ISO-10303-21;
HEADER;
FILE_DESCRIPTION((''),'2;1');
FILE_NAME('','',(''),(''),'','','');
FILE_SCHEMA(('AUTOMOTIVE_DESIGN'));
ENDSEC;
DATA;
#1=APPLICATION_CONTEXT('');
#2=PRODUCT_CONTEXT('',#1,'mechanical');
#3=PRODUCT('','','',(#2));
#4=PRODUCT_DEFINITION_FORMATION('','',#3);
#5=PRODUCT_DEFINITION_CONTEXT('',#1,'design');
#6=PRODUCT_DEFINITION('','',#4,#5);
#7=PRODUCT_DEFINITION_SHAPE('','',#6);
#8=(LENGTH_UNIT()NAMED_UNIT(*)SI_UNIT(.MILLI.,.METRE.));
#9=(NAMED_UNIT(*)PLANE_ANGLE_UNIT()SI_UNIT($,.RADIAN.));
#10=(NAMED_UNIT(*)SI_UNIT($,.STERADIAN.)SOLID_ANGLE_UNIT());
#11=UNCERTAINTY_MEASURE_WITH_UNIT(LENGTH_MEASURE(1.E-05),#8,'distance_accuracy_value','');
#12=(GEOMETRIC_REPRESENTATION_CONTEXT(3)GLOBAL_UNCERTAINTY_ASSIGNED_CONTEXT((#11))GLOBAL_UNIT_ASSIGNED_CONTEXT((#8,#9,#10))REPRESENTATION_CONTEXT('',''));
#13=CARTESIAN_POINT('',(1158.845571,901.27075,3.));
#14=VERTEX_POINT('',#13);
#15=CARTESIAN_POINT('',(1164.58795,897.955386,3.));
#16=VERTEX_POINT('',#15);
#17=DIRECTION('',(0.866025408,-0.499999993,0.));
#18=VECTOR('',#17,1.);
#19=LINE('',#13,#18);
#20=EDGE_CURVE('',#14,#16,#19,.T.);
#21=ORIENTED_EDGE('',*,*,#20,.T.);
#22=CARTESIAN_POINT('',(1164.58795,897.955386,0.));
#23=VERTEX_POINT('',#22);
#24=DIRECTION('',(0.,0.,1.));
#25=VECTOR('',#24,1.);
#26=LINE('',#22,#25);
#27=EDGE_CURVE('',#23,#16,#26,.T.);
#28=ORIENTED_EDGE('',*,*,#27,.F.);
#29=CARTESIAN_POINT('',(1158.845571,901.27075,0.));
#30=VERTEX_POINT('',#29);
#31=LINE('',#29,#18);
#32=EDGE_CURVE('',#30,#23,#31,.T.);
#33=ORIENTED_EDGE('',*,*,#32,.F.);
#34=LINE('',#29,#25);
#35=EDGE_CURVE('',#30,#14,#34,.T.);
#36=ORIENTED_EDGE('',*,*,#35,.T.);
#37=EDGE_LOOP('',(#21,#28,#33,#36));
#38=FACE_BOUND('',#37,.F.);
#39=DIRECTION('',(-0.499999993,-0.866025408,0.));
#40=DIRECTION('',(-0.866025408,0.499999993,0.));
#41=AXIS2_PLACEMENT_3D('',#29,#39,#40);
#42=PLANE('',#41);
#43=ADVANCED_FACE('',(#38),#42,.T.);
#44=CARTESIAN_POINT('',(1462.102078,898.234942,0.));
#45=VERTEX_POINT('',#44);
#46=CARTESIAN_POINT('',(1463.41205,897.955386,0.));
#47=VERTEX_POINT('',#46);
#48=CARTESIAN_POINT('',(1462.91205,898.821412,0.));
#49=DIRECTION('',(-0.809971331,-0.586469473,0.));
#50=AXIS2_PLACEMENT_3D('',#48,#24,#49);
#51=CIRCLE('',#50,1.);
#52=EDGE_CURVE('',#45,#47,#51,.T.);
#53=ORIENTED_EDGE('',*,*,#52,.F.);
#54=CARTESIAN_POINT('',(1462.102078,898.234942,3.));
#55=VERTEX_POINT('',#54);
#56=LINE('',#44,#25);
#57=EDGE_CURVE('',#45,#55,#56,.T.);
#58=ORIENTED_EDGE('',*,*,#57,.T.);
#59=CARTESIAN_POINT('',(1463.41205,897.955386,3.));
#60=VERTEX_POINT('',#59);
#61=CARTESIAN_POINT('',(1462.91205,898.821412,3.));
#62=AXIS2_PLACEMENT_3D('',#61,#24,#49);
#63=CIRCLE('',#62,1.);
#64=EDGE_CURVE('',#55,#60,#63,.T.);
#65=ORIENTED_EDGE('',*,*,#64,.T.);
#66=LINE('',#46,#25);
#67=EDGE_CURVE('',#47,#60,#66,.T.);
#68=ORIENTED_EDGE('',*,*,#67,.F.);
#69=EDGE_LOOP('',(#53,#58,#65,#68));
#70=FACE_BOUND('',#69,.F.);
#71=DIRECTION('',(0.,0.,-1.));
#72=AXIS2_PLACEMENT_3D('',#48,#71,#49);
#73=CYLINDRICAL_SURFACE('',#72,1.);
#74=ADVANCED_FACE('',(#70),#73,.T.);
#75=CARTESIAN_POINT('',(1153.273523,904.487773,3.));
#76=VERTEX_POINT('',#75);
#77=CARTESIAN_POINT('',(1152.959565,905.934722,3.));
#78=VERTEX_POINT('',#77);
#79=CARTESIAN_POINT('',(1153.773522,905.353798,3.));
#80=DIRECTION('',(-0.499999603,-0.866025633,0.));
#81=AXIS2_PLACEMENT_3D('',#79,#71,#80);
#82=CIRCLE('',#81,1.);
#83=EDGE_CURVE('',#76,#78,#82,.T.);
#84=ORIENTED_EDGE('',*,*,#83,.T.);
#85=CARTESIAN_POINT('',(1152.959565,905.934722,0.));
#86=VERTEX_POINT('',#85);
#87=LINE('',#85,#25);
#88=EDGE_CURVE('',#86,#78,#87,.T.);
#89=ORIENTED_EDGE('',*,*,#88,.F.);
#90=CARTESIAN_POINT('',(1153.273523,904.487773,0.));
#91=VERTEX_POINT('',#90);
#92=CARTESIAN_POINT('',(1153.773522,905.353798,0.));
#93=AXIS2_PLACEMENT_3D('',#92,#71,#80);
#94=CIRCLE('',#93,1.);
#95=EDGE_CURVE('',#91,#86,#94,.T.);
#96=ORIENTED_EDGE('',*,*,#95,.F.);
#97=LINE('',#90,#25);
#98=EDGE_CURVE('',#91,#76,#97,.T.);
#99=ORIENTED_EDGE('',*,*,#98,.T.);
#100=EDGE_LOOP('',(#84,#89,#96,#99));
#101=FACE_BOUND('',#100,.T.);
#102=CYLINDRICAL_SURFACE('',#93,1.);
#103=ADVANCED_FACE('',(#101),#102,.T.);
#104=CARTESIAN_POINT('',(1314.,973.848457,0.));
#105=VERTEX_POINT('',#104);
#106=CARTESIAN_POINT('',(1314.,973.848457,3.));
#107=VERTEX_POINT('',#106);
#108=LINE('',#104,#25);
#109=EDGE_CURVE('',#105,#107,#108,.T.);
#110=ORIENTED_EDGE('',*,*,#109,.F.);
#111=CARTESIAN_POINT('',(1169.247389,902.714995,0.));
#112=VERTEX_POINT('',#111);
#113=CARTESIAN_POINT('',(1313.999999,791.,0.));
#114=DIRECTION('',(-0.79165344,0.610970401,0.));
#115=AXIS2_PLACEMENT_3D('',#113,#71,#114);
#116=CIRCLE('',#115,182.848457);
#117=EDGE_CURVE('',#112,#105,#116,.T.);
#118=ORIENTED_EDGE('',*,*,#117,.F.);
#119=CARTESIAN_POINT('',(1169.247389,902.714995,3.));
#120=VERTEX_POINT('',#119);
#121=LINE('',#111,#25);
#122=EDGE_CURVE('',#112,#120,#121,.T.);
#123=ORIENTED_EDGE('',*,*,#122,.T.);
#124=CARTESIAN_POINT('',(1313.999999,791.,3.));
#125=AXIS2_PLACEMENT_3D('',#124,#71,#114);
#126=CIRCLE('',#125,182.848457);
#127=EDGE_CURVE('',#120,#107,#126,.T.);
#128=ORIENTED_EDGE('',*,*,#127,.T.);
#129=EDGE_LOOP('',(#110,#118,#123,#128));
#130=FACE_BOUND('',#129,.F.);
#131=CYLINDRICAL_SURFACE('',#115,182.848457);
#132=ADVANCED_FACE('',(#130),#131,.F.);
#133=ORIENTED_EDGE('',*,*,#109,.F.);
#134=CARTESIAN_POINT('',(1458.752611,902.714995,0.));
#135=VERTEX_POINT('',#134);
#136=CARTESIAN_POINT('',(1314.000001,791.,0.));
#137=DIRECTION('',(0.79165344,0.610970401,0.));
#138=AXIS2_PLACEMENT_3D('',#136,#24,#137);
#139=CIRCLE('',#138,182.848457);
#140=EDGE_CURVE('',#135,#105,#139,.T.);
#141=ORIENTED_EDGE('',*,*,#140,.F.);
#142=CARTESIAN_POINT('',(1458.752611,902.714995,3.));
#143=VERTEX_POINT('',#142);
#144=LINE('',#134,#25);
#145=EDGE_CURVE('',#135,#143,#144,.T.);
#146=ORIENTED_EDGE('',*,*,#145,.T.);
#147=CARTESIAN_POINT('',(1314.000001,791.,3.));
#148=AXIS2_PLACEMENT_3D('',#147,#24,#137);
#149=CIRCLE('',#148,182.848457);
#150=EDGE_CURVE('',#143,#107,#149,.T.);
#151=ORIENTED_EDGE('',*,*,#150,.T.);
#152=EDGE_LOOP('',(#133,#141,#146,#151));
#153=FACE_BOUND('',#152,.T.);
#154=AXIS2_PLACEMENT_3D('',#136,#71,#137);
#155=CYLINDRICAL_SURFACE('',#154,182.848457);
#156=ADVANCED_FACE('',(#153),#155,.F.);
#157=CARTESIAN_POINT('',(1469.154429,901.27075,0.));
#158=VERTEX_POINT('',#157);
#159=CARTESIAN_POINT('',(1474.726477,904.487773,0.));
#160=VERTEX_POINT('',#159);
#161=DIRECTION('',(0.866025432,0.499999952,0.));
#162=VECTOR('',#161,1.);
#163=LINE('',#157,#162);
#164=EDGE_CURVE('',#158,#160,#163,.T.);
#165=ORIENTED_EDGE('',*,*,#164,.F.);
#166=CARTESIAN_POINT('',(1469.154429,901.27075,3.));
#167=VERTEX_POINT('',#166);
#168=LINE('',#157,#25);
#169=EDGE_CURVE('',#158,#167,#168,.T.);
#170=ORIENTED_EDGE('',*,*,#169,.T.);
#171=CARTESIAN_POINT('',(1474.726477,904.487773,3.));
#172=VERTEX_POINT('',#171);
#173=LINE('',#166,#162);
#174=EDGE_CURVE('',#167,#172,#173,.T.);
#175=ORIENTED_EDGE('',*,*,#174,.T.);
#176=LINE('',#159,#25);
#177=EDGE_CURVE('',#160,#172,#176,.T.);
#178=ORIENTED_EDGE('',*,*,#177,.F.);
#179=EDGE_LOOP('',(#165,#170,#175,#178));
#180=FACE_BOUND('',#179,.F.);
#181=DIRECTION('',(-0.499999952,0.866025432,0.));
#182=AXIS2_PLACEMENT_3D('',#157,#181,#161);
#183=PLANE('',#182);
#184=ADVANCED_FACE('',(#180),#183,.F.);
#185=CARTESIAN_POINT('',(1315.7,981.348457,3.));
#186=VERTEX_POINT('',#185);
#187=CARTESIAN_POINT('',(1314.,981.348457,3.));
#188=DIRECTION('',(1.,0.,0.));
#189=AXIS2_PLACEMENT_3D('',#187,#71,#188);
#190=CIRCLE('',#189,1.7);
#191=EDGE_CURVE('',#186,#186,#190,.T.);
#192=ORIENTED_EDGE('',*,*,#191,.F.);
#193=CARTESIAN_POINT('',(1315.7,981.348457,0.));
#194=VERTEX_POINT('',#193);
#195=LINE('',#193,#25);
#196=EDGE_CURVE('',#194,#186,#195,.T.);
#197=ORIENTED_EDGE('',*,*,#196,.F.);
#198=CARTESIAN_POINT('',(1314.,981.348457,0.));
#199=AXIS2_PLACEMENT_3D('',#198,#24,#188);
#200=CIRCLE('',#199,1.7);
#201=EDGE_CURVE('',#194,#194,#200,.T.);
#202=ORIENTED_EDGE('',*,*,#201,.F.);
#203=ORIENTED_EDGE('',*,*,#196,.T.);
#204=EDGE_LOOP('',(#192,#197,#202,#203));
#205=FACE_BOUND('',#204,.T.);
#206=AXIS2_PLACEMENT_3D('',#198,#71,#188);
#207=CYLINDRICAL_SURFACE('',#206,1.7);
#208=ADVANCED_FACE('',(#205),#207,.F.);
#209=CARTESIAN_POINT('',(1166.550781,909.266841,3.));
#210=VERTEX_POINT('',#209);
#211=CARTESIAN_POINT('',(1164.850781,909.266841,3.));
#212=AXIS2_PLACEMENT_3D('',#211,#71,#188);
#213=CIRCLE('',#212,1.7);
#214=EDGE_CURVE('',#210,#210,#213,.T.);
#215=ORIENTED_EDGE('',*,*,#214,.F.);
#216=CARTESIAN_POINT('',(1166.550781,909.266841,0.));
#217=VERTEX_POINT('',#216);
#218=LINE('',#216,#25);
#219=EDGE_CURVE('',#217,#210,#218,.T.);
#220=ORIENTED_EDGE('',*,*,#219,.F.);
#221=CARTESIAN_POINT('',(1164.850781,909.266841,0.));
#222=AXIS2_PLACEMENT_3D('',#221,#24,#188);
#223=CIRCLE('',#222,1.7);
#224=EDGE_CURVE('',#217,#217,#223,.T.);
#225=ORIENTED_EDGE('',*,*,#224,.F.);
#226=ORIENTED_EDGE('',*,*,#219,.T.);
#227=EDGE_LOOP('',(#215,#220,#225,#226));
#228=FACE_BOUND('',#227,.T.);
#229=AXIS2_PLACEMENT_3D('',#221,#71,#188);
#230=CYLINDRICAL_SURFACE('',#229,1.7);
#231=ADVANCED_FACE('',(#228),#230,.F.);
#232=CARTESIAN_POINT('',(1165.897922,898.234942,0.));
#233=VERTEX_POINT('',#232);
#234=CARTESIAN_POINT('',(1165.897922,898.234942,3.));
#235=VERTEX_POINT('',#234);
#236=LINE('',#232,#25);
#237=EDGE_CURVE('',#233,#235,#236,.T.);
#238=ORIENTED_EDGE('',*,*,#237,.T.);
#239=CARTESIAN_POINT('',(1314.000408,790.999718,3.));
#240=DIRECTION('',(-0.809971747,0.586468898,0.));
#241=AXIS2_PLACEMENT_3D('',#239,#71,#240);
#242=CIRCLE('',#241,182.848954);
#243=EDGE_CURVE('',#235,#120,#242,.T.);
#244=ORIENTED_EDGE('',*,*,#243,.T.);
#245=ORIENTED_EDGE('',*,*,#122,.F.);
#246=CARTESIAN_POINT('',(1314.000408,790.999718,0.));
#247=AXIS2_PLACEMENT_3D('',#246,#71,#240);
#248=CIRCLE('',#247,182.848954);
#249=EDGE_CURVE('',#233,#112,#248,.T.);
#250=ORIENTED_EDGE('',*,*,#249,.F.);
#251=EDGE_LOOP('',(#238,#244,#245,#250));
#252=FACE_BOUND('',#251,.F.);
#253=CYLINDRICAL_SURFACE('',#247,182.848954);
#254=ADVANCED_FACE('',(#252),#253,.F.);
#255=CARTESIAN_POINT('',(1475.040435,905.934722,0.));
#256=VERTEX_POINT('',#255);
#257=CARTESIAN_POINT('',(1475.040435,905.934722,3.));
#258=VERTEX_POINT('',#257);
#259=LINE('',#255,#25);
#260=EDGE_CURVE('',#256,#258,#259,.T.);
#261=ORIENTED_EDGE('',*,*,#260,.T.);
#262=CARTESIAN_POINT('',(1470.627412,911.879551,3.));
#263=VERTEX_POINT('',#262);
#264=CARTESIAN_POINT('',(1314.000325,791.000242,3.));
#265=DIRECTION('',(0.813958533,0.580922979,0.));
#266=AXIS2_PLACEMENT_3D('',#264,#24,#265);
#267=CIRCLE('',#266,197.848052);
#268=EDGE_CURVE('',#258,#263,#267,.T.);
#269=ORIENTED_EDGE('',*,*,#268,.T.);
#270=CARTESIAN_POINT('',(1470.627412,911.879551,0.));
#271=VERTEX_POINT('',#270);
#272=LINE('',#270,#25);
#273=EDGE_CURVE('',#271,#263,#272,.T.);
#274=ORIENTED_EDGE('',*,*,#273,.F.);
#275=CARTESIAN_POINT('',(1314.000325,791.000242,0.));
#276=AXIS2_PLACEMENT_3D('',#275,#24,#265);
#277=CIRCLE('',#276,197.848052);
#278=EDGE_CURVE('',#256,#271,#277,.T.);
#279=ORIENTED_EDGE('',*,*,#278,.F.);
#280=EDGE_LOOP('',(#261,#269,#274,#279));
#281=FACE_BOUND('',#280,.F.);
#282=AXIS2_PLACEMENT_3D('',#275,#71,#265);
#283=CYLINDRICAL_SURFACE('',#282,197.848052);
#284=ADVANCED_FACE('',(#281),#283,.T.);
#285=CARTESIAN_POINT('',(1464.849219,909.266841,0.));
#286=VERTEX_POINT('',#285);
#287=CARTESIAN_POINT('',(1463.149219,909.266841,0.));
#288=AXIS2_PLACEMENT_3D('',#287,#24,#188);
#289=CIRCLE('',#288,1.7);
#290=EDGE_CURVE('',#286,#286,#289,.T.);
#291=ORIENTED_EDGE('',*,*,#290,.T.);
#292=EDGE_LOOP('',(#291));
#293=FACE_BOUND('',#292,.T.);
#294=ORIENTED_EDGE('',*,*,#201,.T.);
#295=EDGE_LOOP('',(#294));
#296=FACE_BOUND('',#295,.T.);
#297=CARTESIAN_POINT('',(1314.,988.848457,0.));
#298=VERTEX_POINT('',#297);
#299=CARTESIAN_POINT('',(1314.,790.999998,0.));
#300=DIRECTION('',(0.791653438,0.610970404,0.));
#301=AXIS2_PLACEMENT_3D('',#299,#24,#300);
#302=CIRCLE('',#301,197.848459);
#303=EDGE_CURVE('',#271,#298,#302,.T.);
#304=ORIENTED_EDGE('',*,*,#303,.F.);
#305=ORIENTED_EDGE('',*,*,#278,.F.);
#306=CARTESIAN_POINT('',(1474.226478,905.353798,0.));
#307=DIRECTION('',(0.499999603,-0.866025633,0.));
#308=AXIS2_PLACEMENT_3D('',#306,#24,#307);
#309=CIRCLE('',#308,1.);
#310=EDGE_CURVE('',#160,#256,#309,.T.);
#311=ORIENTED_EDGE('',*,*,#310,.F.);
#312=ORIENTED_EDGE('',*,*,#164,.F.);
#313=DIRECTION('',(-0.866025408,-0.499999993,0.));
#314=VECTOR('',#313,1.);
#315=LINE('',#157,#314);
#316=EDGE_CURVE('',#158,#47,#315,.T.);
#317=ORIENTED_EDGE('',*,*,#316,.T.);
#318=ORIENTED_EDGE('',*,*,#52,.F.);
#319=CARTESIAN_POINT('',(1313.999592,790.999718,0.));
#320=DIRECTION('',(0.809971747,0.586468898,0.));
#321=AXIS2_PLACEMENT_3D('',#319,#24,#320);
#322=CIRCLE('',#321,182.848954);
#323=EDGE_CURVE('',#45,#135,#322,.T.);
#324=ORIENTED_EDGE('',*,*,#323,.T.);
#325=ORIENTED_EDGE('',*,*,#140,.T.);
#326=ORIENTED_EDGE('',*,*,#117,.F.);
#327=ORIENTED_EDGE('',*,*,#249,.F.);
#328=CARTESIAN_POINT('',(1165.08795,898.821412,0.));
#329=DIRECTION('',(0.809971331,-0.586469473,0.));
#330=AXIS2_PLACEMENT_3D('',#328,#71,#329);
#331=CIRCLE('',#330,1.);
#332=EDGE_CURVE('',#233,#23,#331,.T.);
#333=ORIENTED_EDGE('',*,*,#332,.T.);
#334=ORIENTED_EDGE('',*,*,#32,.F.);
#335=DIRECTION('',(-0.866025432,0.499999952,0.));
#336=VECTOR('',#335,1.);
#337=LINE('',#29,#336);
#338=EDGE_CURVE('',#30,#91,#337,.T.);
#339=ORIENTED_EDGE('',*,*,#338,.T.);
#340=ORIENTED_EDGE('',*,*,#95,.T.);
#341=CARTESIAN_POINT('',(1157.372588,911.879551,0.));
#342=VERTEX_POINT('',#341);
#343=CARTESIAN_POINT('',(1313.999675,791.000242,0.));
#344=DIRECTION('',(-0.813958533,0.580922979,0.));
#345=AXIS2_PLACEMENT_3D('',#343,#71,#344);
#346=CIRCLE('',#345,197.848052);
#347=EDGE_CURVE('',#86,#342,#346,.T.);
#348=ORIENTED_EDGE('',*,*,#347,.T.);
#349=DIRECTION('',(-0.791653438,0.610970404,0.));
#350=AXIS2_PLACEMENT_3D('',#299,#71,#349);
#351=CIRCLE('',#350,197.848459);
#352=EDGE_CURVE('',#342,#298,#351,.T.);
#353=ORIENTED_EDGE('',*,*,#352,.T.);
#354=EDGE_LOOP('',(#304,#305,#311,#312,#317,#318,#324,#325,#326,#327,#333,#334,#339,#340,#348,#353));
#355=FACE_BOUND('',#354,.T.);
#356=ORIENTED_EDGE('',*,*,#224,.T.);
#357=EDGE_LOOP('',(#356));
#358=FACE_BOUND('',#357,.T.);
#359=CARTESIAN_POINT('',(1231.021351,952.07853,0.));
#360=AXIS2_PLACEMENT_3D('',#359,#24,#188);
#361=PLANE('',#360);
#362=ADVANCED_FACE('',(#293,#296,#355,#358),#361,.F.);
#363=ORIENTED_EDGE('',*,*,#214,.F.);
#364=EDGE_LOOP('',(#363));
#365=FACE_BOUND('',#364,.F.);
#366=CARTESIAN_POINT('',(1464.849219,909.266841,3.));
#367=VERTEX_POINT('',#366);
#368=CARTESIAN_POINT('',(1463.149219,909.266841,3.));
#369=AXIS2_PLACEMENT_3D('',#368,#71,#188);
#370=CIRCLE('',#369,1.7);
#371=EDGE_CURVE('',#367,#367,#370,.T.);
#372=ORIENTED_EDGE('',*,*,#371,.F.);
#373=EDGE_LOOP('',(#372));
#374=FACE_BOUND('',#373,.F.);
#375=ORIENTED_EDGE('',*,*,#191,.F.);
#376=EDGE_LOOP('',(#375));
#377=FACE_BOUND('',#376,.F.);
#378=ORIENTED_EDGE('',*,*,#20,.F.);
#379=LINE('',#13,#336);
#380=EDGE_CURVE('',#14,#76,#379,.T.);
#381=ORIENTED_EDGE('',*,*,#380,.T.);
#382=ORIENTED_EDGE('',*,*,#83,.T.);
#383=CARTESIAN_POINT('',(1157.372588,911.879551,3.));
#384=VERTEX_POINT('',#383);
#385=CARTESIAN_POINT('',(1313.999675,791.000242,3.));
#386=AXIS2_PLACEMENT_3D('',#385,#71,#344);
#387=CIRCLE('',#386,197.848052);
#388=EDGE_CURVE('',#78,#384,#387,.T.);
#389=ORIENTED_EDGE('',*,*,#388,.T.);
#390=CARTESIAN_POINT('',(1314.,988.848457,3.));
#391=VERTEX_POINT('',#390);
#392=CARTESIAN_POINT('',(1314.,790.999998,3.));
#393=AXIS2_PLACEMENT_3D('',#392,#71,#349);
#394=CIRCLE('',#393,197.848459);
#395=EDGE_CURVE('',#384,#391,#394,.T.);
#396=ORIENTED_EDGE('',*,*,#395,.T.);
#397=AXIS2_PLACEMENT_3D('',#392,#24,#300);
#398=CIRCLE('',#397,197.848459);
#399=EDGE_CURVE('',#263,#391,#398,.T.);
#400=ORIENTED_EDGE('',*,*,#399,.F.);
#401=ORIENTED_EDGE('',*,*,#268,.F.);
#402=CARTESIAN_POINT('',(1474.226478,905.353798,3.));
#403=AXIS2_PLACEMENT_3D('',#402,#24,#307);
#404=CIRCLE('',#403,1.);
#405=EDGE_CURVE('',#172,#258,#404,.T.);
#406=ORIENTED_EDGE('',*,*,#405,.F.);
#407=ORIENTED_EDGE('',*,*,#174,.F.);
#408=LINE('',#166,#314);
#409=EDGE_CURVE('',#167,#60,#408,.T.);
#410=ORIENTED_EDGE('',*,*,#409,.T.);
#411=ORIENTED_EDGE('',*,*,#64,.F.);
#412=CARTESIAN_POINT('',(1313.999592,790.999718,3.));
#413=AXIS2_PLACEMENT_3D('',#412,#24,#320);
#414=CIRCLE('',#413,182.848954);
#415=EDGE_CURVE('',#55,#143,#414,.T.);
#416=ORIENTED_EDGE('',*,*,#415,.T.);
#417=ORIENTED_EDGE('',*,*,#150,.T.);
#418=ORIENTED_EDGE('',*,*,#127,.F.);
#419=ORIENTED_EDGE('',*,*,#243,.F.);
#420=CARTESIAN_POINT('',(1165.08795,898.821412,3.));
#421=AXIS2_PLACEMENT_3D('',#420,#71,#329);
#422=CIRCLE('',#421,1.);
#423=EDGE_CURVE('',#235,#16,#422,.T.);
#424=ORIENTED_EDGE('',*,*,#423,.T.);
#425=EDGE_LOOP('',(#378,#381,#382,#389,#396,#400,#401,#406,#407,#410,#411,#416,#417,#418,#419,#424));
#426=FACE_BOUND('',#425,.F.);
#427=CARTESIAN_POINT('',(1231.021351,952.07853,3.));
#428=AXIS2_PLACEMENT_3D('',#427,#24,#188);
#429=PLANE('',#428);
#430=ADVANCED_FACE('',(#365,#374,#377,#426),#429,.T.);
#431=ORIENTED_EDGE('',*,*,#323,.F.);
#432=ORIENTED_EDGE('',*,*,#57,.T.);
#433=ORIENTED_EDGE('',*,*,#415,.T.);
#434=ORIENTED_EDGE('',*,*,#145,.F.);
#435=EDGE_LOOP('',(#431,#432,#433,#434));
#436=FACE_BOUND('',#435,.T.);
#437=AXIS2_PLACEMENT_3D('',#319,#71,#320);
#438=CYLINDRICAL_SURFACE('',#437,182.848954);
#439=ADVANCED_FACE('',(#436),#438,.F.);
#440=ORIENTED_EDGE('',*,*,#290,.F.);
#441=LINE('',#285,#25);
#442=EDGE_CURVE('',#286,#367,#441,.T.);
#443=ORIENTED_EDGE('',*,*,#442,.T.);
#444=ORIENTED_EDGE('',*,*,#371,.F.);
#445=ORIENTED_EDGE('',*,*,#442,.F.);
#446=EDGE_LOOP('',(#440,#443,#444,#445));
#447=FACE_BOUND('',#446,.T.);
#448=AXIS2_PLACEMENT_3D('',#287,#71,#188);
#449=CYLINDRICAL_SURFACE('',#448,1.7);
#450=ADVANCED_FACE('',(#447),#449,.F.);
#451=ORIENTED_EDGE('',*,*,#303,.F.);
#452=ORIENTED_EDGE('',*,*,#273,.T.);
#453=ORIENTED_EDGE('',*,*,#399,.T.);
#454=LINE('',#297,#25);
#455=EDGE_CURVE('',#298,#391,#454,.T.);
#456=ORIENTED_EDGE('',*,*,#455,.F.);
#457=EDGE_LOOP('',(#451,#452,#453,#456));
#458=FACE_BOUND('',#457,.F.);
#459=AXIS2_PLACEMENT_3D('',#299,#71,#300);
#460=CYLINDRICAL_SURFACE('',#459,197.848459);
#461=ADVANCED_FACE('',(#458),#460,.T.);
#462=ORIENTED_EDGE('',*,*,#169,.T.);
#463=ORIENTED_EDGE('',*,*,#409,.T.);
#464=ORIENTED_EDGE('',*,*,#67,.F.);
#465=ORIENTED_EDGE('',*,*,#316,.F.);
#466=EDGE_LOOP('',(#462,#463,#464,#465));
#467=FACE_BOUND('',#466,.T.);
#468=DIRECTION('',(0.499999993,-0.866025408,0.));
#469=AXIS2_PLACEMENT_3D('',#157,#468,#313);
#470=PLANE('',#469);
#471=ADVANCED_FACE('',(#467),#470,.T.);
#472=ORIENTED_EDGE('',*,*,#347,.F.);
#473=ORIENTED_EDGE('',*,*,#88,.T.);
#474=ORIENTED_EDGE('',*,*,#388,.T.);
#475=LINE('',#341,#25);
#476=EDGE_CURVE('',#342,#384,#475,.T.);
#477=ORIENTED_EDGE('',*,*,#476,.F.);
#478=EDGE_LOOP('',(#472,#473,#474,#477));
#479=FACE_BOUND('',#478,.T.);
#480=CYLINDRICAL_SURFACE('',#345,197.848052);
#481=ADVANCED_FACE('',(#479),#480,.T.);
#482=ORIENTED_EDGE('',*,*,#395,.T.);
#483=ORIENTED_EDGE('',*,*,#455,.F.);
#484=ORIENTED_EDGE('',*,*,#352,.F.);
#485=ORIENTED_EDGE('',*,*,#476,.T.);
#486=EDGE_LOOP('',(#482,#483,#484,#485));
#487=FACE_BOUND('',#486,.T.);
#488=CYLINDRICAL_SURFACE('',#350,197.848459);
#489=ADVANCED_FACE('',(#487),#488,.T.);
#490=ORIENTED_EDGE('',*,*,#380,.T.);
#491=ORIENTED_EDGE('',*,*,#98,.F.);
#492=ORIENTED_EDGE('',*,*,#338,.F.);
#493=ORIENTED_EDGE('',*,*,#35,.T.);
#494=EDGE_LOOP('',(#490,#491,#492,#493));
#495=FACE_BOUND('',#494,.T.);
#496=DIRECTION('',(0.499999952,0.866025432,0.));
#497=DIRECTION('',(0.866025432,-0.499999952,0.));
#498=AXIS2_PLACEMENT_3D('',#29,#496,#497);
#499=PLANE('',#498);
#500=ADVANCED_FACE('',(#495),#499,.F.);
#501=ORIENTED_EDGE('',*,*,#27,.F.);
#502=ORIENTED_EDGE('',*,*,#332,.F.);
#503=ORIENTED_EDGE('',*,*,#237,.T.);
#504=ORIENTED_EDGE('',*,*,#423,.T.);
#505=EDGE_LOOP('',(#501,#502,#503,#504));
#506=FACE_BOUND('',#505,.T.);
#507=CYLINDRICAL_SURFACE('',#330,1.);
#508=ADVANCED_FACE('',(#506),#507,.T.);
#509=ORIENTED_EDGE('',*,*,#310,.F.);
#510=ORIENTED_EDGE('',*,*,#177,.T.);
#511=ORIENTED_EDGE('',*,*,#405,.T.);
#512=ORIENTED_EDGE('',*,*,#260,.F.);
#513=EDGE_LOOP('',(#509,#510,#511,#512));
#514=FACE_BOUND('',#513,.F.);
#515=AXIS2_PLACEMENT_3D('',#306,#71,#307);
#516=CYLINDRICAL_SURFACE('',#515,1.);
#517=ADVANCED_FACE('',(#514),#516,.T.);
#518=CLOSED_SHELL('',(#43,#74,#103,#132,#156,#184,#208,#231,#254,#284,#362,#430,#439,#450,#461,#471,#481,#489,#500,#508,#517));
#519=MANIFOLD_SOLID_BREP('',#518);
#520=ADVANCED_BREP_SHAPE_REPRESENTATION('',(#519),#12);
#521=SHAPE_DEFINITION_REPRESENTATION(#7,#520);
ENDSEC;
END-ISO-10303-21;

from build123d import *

# Parameters (mm, degrees)
PAD021_DEPTH                        = 3
SKETCH083_R                         = 1.7
POCKET041_DEPTH                     = 0.001
POCKET041_DEPTH_BACK                = 3.001
SKETCH084_R                         = 1.7
POCKET042_DEPTH                     = 0.001
POCKET042_DEPTH_BACK                = 3.001
BODY001003005003013_PLACEMENT_ANGLE = 60
CLONE019_PLACEMENT_ANGLE            = 60


with BuildPart() as part:
    # Sketch082 → Pad021 (new body)
    with BuildSketch(Plane.XY):
        with BuildLine():
            ThreePointArc((156.627412, 120.879551), (87.258751, 177.56667), (0, 197.848457))
            Line((0, 197.848457), (0, 182.848457))
            ThreePointArc((144.752611, 111.714995), (80.643177, 164.104346), (0, 182.848457))
            ThreePointArc((148.102078, 107.234942), (146.444477, 109.487778), (144.752611, 111.714995))
            ThreePointArc((148.102078, 107.234942), (148.703343, 106.843433), (149.41205, 106.955386))
            Line((155.154429, 110.27075), (149.41205, 106.955386))
            Line((155.154429, 110.27075), (160.726477, 113.487773))
            ThreePointArc((160.726477, 113.487773), (161.203737, 114.141753), (161.040435, 114.934722))
            ThreePointArc((161.040435, 114.934722), (158.861734, 117.927781), (156.627412, 120.879551))
        make_face()
    pad021 = extrude(amount=PAD021_DEPTH)

    # Mirrored029: Pad021 across Sketch082 V_Axis
    add(pad021.mirror(Plane(origin=(0, 0, 0), x_dir=(0, 0, 1), z_dir=(1, 0, 0))))

    # Sketch083 → Pocket041 (cut, two sides)
    with BuildSketch(Plane.XY) as pocket041_sk:
        with Locations((149.149219, 118.266841)):
            Circle(SKETCH083_R)
        with Locations((-149.149219, 118.266841)):
            Circle(SKETCH083_R)
    extrude(amount=-POCKET041_DEPTH, mode=Mode.SUBTRACT)
    extrude(pocket041_sk.sketch, amount=POCKET041_DEPTH_BACK, mode=Mode.SUBTRACT)

    # Sketch084 → Pocket042 (cut, two sides)
    with BuildSketch(Plane.XY) as pocket042_sk:
        with Locations((0, 190.348457)):
            Circle(SKETCH084_R)
    extrude(amount=-POCKET042_DEPTH, mode=Mode.SUBTRACT)
    extrude(pocket042_sk.sketch, amount=POCKET042_DEPTH_BACK, mode=Mode.SUBTRACT)


with BuildPart() as part_1:
    # Body001003005003013 placement: moved
    add(part.part.rotate(Axis((0, 0, 0), (0, 0, 1)), BODY001003005003013_PLACEMENT_ANGLE))


with BuildPart() as part_2:
    # Clone019 placement: moved
    add(part_1.part.moved(Location((1314, 791, 0))).rotate(Axis((1314, 791, 0), (0, 0, -1)), CLONE019_PLACEMENT_ANGLE))


solid = part_2.part
